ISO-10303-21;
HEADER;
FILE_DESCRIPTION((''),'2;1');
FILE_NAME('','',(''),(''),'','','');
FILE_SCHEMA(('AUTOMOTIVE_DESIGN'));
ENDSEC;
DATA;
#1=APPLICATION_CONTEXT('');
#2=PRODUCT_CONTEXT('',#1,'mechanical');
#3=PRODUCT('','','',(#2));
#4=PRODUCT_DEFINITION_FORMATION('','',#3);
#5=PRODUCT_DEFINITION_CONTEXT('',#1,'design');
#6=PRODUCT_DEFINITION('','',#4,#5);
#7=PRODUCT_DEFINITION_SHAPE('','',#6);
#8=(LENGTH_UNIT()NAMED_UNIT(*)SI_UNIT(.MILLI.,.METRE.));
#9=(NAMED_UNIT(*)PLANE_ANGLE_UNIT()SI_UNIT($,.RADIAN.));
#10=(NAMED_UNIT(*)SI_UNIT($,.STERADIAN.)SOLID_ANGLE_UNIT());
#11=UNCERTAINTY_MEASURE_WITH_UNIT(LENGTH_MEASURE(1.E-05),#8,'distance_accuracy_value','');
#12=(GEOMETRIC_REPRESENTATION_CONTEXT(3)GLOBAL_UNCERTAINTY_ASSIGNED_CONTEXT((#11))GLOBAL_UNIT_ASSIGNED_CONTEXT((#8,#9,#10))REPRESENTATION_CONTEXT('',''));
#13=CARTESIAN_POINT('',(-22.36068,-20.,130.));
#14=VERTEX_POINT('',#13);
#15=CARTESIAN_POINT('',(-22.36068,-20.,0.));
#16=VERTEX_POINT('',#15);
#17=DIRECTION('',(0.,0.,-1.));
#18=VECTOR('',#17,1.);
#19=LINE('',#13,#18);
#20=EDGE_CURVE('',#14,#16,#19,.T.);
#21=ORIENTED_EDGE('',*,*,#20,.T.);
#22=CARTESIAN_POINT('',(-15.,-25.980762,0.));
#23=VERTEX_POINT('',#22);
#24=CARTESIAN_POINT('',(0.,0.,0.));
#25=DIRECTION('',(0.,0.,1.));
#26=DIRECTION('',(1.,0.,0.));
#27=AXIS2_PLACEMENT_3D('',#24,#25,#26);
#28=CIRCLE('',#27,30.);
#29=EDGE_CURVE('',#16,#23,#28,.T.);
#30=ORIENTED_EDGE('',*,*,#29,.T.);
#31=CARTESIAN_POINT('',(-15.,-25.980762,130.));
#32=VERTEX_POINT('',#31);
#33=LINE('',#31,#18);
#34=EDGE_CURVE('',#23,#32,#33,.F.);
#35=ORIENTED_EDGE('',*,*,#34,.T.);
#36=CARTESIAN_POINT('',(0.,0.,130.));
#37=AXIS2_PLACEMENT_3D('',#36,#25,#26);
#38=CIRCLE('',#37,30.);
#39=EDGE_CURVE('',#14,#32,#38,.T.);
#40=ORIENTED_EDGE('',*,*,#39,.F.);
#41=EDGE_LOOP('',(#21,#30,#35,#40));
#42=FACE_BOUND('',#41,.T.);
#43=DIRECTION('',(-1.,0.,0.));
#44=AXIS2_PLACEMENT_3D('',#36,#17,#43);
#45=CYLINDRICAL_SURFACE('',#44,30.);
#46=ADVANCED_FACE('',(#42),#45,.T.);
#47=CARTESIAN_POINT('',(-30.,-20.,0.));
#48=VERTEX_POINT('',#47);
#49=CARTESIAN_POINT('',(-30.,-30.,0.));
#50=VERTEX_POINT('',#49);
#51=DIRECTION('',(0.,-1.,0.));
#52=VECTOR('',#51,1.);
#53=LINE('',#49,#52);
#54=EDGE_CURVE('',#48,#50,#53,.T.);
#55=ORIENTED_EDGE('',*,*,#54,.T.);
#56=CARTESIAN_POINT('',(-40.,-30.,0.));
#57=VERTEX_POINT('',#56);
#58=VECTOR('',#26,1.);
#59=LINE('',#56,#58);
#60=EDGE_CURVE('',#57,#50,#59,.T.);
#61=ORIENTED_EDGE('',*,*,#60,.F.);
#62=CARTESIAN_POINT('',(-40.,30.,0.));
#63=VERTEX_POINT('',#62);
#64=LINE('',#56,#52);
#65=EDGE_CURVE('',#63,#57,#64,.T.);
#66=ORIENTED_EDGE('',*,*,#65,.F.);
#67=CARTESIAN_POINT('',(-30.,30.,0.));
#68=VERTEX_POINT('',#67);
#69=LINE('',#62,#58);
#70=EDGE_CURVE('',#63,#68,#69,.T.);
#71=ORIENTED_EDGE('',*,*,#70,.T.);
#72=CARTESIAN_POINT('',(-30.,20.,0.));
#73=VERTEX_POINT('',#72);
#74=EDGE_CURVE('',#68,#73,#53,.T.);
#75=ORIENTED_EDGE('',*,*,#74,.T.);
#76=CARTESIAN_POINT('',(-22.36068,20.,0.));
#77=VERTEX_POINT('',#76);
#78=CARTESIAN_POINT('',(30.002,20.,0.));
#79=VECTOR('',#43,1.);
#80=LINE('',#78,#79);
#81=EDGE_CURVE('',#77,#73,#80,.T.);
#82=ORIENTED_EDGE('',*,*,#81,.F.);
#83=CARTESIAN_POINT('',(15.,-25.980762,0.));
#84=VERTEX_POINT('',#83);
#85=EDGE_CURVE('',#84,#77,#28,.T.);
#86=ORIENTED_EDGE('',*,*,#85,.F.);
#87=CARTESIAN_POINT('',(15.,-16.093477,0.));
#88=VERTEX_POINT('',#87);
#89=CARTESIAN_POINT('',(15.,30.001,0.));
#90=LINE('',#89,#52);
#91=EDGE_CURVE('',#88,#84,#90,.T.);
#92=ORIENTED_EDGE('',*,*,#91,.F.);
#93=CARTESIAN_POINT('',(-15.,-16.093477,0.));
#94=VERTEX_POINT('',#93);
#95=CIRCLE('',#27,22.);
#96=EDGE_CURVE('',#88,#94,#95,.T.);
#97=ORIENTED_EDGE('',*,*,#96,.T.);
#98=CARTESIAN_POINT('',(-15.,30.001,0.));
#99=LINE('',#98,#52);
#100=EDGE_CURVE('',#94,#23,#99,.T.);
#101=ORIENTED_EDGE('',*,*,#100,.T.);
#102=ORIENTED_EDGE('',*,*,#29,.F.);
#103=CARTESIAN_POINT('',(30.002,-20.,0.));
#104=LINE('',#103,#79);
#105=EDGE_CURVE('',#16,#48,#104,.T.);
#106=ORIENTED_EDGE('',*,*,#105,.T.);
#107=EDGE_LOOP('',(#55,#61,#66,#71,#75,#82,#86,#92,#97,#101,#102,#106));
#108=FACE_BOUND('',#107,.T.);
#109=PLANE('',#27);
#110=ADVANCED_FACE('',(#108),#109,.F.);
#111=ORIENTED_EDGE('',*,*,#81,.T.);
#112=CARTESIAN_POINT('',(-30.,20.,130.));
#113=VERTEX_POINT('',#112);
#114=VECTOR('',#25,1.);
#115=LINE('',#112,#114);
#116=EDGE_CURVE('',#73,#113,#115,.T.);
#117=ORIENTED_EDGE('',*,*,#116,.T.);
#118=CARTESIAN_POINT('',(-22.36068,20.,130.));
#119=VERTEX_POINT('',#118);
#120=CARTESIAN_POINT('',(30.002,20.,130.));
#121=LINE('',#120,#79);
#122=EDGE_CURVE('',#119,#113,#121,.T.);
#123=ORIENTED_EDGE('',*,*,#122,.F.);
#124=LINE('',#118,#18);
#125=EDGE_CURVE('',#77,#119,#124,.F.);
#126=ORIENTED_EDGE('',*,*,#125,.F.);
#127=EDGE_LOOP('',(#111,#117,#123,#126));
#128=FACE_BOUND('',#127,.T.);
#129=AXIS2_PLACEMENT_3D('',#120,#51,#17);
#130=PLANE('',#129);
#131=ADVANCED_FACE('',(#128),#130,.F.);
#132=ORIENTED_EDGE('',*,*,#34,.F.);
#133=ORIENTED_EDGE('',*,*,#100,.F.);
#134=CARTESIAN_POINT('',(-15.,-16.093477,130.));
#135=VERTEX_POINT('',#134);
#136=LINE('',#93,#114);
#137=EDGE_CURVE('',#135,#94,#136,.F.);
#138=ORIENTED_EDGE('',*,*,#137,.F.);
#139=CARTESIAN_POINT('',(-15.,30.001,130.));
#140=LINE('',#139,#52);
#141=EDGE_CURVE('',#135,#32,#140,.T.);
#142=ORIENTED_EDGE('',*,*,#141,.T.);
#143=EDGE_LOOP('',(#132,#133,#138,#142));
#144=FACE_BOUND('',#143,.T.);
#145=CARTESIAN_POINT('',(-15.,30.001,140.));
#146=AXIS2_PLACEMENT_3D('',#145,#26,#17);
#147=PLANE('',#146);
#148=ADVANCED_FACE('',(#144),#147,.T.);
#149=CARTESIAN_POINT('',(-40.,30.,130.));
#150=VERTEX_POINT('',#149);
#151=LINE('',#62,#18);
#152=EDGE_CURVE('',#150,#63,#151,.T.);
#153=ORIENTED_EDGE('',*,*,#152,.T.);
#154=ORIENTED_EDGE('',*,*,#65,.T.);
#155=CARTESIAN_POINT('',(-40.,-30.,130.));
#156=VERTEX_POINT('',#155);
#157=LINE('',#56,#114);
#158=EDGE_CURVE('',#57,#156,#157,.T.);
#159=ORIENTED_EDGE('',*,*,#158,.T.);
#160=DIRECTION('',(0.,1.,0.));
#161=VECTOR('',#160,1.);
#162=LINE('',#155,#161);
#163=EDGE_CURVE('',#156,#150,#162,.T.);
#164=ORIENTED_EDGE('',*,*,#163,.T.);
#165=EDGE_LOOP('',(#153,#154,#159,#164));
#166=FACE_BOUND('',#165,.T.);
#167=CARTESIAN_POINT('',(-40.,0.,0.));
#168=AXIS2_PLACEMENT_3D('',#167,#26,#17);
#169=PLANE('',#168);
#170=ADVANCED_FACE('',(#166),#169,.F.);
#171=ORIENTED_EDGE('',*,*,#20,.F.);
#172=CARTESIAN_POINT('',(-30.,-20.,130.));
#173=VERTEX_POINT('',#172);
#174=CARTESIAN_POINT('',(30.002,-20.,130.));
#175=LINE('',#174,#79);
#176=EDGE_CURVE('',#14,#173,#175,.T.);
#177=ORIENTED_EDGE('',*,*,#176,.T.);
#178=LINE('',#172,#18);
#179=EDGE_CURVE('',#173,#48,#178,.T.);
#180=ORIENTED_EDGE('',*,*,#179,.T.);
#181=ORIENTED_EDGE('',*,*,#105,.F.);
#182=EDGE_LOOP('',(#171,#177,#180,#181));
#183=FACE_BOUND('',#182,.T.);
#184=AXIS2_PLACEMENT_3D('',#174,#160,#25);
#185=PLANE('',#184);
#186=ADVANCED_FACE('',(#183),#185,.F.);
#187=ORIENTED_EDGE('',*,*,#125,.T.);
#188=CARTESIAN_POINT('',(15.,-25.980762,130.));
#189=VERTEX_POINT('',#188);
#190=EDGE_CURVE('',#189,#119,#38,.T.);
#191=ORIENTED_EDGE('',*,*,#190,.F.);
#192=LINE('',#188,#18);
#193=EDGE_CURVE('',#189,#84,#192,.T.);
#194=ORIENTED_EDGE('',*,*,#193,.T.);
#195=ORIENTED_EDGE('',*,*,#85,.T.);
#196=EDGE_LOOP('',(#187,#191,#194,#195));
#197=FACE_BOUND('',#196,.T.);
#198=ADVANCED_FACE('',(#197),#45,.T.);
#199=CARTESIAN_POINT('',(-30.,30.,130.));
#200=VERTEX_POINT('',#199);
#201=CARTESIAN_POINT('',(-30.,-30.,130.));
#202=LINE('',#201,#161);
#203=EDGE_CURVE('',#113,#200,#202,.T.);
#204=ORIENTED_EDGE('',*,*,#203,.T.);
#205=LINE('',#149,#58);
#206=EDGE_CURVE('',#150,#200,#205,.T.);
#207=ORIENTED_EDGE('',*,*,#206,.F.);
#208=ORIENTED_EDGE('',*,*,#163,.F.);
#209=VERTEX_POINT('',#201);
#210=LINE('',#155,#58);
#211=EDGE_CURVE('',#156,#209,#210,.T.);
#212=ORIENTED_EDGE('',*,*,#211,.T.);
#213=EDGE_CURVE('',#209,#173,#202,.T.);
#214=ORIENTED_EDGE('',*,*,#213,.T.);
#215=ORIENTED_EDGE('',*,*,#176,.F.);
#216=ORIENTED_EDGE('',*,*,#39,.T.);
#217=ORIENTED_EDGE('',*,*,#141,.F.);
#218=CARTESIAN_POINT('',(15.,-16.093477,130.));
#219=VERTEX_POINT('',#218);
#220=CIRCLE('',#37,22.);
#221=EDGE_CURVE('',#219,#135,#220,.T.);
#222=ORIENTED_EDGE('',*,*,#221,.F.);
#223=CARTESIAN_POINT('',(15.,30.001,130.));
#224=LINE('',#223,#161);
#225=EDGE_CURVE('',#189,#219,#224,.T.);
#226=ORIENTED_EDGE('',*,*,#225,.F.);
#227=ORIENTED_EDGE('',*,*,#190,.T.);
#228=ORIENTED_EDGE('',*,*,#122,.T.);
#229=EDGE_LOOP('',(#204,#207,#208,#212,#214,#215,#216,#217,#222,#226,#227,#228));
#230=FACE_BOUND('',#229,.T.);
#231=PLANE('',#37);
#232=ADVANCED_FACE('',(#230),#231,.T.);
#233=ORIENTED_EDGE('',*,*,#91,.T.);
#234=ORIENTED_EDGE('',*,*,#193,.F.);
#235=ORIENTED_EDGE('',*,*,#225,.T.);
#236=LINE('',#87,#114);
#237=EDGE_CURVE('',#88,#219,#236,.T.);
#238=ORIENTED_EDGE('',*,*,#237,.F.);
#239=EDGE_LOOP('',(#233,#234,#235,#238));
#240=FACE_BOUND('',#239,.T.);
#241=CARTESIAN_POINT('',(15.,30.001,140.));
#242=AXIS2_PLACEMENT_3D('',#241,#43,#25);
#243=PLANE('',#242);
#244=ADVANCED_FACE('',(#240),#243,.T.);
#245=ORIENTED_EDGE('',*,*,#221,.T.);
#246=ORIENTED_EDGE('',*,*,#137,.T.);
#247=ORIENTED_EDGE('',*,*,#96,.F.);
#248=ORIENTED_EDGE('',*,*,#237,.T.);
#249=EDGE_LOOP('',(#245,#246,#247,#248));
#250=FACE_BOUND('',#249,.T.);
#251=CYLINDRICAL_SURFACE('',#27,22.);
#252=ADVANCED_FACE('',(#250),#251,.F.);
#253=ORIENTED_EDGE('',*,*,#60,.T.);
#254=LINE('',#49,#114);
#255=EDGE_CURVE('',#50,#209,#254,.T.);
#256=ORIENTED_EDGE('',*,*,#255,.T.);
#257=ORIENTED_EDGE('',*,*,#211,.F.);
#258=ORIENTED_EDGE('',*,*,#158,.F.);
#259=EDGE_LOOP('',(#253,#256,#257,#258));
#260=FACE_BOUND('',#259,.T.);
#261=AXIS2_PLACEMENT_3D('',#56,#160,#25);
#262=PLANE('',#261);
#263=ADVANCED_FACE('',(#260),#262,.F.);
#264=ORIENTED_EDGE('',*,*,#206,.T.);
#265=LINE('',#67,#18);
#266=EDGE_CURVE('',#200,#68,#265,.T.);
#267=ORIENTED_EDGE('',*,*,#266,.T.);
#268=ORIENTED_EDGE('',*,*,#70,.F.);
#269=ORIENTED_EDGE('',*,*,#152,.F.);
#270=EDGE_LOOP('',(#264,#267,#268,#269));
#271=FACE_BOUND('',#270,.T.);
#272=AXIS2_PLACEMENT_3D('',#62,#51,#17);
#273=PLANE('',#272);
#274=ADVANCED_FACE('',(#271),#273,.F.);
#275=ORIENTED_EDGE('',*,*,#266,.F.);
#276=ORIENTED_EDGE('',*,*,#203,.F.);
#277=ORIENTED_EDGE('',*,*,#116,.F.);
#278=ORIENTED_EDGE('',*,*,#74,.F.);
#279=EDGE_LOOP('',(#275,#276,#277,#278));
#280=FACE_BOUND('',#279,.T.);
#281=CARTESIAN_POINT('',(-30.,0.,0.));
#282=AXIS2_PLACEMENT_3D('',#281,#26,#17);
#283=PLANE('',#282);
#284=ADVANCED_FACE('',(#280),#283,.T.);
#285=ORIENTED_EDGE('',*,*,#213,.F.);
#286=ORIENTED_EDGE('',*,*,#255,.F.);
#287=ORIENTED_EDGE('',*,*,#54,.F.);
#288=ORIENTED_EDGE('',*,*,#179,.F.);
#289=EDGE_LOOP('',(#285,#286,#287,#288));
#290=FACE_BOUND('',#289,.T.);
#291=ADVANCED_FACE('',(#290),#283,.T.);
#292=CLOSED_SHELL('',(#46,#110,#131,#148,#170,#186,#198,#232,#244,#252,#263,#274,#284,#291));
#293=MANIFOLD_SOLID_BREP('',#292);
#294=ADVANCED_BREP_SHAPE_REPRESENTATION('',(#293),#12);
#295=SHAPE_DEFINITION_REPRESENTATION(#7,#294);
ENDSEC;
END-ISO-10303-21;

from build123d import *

# Parameters (mm, degrees)
SKETCH2_R           = 30
BOSS_EXTRUDE2_DEPTH = 130
SKETCH3_R           = 22
CUT_EXTRUDE1_DEPTH  = 131
CUT_EXTRUDE2_REACH  = 62
SKETCH4_W           = 30
SKETCH4_H           = 140
SKETCH5_W           = 130
SKETCH5_H           = 40
BOSS_EXTRUDE3_DEPTH = 7.63932
SKETCH6_W           = 130
SKETCH6_H           = 60
BOSS_EXTRUDE4_DEPTH = 10


with BuildPart() as part:
    # Sketch2 → Boss-Extrude2 (new body)
    with BuildSketch(Plane.XY):
        Circle(SKETCH2_R)
    extrude(amount=BOSS_EXTRUDE2_DEPTH)

    # Sketch3 → Cut-Extrude1 (cut, through all)
    with BuildSketch(Plane.XY.offset(130)):
        Circle(SKETCH3_R)
    extrude(amount=-CUT_EXTRUDE1_DEPTH, mode=Mode.SUBTRACT)

    # Sketch4 → Cut-Extrude2 (cut, up to next)
    with BuildSketch(Plane(origin=(0, -30, 0), x_dir=(1, 0, 0), z_dir=(0, 1, 0)), mode=Mode.PRIVATE) as cut_extrude2_sk1:
        with Locations((0, -70)):
            Rectangle(SKETCH4_W, SKETCH4_H)
    cut_extrude2_tool1 = extrude(cut_extrude2_sk1.sketch, amount=CUT_EXTRUDE2_REACH, mode=Mode.PRIVATE) & part.part
    add(cut_extrude2_tool1.solids().sort_by_distance((0, -30, 70))[0], mode=Mode.SUBTRACT)

    # Sketch5 → Boss-Extrude3 (add)
    with BuildSketch(Plane(origin=(-30, 0, 0), x_dir=(0, 0, -1), z_dir=(1, 0, 0))):
        with Locations((-65, 0)):
            Rectangle(SKETCH5_W, SKETCH5_H)
    extrude(amount=BOSS_EXTRUDE3_DEPTH)

    # Sketch6 → Boss-Extrude4 (add)
    with BuildSketch(Plane.ZY.offset(30)):
        with Locations((65, 0)):
            Rectangle(SKETCH6_W, SKETCH6_H)
    extrude(amount=BOSS_EXTRUDE4_DEPTH)


solid = part.part
